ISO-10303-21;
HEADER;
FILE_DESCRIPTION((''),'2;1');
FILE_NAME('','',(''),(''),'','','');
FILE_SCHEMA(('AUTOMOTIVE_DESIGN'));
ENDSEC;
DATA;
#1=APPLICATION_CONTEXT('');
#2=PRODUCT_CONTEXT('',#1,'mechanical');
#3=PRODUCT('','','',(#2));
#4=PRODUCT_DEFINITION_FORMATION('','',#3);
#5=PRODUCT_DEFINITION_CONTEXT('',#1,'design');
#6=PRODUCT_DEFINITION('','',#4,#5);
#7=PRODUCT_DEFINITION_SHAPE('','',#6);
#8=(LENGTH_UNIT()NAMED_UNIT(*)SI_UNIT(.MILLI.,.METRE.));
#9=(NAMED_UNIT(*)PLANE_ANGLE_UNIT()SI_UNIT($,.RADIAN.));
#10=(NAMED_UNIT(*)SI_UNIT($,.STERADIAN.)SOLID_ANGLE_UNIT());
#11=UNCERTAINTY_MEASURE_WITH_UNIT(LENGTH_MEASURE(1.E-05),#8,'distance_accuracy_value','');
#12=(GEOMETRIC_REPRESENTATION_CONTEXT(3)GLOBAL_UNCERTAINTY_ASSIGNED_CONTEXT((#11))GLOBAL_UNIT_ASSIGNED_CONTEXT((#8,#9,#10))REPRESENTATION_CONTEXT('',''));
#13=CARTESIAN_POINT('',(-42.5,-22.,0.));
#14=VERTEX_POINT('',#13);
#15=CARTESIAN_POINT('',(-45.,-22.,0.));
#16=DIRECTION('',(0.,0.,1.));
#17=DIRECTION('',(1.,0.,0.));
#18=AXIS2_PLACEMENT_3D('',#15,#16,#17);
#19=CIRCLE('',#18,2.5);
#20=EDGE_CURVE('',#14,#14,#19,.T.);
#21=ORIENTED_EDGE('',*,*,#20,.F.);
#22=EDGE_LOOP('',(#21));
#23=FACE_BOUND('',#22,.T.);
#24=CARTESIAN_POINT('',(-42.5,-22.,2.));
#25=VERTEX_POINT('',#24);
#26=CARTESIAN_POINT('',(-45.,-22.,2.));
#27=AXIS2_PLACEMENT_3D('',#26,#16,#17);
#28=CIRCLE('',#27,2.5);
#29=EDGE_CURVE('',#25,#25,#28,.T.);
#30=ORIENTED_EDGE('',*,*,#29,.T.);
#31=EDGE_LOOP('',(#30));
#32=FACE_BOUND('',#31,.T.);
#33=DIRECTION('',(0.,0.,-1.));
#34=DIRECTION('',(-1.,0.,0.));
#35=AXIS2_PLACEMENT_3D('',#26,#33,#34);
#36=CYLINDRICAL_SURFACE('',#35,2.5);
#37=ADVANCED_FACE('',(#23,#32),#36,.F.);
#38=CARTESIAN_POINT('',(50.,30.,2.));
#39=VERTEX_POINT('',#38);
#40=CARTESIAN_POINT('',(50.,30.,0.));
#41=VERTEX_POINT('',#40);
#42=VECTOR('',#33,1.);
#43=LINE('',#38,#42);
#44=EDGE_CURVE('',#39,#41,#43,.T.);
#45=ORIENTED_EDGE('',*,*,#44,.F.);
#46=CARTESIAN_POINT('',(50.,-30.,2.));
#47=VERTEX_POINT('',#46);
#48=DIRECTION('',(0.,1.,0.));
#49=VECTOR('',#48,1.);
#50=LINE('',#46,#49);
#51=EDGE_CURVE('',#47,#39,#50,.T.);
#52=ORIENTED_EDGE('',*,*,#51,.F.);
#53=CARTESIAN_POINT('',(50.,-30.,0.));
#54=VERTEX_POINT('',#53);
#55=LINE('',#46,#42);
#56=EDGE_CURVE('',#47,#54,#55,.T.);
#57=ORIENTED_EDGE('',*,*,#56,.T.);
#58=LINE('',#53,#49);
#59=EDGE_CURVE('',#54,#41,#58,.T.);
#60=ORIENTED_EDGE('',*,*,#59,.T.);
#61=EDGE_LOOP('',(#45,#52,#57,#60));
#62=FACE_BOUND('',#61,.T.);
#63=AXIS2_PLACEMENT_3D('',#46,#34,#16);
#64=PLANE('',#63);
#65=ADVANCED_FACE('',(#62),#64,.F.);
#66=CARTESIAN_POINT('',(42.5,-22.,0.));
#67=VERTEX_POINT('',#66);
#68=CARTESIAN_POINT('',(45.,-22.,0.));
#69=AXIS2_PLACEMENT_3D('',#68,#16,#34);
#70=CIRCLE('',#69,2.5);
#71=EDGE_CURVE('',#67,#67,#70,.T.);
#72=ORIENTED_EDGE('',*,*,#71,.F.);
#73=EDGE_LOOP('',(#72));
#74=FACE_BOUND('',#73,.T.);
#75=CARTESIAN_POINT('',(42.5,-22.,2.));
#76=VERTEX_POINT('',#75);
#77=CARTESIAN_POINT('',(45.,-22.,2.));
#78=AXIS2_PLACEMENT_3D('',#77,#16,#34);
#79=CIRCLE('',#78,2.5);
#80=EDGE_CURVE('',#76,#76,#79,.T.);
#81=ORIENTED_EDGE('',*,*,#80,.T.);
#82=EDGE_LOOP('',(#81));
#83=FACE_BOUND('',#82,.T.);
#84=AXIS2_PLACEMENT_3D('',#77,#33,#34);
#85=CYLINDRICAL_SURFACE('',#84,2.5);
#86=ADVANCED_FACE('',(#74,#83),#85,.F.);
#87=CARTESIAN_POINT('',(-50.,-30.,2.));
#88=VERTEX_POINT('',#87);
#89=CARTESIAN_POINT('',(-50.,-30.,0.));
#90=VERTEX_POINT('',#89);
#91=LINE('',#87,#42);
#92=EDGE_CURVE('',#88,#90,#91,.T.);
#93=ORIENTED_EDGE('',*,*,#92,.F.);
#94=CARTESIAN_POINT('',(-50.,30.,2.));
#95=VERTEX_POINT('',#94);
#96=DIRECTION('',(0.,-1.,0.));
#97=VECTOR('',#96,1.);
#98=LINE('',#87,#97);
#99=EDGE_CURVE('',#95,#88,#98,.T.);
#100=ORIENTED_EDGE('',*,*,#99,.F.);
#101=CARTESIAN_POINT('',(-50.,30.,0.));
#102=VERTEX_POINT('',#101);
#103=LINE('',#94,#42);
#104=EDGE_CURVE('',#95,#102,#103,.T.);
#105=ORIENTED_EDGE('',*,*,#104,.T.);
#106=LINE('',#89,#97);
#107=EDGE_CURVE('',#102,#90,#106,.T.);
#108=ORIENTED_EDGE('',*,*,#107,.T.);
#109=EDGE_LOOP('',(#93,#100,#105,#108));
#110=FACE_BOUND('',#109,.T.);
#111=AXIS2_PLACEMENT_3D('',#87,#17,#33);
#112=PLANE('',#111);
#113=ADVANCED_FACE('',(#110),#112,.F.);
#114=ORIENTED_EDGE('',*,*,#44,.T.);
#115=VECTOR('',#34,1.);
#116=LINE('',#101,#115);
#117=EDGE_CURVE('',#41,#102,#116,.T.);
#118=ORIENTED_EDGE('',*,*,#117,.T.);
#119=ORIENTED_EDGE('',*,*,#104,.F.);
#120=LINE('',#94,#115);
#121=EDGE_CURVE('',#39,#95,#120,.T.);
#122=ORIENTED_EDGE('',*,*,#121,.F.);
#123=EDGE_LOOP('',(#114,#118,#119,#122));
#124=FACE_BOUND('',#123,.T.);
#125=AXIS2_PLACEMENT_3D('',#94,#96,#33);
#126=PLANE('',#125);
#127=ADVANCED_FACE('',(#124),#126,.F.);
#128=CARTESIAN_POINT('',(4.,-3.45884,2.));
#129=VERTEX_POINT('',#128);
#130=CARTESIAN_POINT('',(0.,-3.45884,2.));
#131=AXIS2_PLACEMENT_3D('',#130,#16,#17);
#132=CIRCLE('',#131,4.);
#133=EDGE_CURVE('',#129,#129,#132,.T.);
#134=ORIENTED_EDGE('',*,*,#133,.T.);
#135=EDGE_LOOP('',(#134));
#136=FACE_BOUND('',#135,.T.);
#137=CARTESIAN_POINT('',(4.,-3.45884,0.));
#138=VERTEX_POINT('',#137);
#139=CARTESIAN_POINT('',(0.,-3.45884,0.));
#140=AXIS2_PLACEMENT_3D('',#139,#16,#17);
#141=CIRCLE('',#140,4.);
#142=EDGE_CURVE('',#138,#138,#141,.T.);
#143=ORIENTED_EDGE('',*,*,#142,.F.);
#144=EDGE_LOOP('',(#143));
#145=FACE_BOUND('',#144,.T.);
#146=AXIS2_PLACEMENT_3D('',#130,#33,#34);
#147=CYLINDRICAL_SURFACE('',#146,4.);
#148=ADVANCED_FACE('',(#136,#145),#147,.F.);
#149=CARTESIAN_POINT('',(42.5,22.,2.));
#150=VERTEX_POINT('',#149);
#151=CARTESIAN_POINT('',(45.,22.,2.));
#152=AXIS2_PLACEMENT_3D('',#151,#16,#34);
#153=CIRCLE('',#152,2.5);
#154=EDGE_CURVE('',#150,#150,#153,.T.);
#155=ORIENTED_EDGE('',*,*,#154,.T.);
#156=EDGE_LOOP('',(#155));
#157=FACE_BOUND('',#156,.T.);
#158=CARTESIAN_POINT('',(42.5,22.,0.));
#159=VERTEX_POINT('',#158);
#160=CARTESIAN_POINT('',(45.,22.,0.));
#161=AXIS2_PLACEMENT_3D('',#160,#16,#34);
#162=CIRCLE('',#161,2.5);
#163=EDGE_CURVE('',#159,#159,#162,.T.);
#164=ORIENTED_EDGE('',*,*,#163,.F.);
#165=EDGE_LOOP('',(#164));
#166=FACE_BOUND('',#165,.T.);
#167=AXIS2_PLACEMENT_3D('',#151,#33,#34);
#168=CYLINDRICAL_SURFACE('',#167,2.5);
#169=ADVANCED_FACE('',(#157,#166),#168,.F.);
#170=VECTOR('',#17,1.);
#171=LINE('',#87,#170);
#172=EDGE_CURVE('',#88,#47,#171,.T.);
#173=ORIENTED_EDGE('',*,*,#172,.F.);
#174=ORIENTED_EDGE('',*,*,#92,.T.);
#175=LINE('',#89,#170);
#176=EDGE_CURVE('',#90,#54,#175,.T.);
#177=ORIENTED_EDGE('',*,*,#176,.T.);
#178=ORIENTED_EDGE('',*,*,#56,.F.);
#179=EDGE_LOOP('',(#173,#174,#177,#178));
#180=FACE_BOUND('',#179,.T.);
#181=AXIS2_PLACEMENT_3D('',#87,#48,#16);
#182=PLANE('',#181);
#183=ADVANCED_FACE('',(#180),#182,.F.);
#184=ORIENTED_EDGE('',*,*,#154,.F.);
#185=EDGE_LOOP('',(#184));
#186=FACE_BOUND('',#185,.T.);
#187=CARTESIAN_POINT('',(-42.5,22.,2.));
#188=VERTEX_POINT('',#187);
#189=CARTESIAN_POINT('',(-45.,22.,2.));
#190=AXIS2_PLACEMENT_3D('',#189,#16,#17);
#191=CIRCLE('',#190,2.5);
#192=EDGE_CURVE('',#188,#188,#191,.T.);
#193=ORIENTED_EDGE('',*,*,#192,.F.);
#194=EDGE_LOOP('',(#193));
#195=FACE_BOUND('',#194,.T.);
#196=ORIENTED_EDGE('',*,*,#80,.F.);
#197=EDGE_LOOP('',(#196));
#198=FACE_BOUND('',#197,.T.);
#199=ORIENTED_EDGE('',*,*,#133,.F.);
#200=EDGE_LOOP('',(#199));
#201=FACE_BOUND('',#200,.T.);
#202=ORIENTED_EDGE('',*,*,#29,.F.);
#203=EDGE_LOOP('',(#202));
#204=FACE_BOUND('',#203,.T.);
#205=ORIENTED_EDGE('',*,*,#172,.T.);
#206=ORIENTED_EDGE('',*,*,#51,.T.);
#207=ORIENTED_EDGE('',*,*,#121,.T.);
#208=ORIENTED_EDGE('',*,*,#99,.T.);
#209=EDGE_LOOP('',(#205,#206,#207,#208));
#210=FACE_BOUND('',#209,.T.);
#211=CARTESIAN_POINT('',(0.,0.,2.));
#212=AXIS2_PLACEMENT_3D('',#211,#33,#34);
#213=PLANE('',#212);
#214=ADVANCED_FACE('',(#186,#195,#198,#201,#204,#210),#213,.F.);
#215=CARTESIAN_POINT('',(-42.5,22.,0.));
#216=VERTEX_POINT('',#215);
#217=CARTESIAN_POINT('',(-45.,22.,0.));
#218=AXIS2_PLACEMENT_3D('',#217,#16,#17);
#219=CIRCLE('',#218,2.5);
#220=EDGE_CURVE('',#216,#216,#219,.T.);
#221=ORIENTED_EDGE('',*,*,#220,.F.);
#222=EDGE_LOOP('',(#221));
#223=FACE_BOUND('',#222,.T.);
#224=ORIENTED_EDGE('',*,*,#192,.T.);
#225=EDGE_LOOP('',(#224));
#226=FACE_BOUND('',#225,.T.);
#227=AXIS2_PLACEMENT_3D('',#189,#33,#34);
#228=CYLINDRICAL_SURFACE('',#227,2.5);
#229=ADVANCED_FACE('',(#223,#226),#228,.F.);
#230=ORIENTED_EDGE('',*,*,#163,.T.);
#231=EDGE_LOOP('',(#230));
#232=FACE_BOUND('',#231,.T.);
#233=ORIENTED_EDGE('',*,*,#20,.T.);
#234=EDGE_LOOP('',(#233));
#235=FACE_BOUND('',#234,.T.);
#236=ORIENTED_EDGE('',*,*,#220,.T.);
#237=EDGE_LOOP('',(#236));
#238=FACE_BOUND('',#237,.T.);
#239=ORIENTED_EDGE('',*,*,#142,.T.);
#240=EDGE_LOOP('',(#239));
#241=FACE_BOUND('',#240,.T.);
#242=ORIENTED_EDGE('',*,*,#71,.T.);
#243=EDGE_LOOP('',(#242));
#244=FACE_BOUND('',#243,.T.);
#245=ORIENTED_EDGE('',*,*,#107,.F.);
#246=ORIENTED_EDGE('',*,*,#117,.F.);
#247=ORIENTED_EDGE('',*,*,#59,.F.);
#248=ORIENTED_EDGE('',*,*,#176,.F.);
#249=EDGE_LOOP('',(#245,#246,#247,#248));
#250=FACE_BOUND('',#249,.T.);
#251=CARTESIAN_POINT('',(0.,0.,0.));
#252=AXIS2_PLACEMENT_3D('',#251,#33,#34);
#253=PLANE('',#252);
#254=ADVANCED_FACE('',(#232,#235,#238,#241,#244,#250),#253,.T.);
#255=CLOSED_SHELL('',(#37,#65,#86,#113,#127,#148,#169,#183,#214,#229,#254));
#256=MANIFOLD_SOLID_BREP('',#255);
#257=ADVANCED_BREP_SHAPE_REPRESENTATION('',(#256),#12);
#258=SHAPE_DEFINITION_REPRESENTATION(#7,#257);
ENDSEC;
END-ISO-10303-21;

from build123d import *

# Parameters (mm, degrees)
SKETCH1_W           = 100
SKETCH1_H           = 60
SKETCH1_R           = 4
SKETCH1_R_2         = 2.5
BOSS_EXTRUDE1_DEPTH = 2


with BuildPart() as part:
    # Sketch1 → Boss-Extrude1 (new body)
    with BuildSketch(Plane.XY):
        Rectangle(SKETCH1_W, SKETCH1_H)
        with Locations((0, -3.458840457)):
            Circle(SKETCH1_R, mode=Mode.SUBTRACT)
        with Locations((-45, 22)):
            Circle(SKETCH1_R_2, mode=Mode.SUBTRACT)
        with Locations((-45, -22)):
            Circle(SKETCH1_R_2, mode=Mode.SUBTRACT)
        with Locations((45, -22)):
            Circle(SKETCH1_R_2, mode=Mode.SUBTRACT)
        with Locations((45, 22)):
            Circle(SKETCH1_R_2, mode=Mode.SUBTRACT)
    extrude(amount=BOSS_EXTRUDE1_DEPTH)


solid = part.part
